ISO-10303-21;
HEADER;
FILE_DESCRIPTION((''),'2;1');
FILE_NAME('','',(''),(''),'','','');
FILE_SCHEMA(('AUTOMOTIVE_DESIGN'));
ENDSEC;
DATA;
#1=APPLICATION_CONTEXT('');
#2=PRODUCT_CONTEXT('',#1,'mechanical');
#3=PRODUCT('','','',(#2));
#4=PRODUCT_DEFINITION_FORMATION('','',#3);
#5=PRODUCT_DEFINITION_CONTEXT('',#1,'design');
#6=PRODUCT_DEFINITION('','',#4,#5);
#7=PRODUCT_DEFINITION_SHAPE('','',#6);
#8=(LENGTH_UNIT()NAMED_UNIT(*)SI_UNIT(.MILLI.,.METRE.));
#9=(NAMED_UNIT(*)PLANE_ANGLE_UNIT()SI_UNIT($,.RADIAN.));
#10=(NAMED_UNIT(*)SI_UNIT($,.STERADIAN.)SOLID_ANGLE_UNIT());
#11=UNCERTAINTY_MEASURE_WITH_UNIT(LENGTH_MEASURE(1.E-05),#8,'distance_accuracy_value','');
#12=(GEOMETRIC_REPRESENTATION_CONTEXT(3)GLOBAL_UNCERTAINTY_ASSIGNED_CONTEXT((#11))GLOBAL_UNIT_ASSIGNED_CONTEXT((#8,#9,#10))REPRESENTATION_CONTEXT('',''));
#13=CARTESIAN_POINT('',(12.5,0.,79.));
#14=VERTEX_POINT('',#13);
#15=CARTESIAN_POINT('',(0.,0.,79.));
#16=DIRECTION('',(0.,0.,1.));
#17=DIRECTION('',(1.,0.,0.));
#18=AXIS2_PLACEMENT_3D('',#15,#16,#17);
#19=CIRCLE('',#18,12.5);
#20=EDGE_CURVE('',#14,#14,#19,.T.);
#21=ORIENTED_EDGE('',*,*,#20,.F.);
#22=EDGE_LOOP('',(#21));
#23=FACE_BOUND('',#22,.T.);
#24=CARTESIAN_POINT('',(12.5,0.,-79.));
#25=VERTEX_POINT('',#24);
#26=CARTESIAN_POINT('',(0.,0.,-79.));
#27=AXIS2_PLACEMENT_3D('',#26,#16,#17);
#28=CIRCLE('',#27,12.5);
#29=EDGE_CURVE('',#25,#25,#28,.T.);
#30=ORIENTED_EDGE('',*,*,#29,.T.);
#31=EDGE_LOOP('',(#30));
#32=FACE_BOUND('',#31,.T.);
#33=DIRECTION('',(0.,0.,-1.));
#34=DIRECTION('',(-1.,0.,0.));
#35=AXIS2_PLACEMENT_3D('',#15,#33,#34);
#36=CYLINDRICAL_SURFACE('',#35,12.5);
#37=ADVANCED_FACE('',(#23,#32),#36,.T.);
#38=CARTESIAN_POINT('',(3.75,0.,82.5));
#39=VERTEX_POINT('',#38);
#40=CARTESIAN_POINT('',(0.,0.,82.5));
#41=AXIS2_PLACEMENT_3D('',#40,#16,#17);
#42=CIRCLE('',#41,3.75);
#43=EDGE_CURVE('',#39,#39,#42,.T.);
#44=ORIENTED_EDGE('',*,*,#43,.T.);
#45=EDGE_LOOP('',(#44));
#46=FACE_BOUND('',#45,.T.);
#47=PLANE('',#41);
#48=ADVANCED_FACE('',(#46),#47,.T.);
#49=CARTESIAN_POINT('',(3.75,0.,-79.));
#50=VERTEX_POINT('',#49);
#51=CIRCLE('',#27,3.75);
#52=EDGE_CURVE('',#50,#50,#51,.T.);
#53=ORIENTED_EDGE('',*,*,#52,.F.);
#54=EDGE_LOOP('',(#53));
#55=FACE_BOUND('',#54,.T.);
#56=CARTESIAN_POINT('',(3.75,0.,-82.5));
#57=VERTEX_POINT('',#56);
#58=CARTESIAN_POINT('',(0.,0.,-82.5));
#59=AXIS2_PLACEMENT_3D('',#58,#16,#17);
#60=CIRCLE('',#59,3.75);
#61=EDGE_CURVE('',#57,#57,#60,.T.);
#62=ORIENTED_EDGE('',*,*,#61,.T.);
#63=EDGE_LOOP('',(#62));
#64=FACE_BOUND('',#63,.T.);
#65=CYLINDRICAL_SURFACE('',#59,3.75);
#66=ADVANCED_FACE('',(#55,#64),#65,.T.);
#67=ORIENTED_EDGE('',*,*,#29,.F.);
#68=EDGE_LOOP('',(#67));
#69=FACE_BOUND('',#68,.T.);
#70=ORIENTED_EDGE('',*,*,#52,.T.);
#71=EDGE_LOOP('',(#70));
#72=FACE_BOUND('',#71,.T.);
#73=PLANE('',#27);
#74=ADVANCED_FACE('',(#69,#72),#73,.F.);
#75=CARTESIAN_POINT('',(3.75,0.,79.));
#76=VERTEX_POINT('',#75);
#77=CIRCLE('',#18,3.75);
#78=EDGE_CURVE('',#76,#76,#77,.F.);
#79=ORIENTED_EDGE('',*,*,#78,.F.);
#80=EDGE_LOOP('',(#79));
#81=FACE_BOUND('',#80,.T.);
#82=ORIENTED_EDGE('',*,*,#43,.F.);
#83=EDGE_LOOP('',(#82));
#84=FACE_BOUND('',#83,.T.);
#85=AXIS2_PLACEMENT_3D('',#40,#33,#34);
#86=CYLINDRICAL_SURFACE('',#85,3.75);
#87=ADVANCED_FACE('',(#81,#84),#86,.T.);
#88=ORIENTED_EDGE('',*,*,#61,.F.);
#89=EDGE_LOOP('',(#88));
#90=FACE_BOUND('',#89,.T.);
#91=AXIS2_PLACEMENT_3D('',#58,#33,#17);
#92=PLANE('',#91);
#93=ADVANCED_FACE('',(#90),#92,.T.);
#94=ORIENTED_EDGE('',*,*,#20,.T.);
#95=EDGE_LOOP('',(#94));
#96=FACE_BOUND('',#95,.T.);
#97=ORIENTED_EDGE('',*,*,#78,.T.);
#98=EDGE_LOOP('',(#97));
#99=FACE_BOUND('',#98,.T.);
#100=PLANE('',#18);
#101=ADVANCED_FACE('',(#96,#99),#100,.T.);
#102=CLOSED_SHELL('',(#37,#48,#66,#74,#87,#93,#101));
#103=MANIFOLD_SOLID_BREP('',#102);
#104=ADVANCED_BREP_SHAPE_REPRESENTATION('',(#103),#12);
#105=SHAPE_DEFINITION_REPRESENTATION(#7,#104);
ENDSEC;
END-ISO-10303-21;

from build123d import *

# Parameters (mm, degrees)
SKETCH1_R           = 12.5
BOSS_EXTRUDE1_DEPTH = 79
SKETCH2_R           = 3.75
BOSS_EXTRUDE2_DEPTH = 3.5


with BuildPart() as part:
    # Sketch1 → Boss-Extrude1 (new, symmetric)
    with BuildSketch(Plane.XY):
        Circle(SKETCH1_R)
    extrude(amount=BOSS_EXTRUDE1_DEPTH, both=True)

    # Sketch2 → Boss-Extrude2 (add, symmetric)
    with BuildSketch(Plane.XY.offset(79)):
        Circle(SKETCH2_R)
    boss_extrude2 = extrude(amount=BOSS_EXTRUDE2_DEPTH, both=True)

    # Mirror1: Boss-Extrude2 across plane
    add(boss_extrude2.mirror(Plane.XY))


solid = part.part
